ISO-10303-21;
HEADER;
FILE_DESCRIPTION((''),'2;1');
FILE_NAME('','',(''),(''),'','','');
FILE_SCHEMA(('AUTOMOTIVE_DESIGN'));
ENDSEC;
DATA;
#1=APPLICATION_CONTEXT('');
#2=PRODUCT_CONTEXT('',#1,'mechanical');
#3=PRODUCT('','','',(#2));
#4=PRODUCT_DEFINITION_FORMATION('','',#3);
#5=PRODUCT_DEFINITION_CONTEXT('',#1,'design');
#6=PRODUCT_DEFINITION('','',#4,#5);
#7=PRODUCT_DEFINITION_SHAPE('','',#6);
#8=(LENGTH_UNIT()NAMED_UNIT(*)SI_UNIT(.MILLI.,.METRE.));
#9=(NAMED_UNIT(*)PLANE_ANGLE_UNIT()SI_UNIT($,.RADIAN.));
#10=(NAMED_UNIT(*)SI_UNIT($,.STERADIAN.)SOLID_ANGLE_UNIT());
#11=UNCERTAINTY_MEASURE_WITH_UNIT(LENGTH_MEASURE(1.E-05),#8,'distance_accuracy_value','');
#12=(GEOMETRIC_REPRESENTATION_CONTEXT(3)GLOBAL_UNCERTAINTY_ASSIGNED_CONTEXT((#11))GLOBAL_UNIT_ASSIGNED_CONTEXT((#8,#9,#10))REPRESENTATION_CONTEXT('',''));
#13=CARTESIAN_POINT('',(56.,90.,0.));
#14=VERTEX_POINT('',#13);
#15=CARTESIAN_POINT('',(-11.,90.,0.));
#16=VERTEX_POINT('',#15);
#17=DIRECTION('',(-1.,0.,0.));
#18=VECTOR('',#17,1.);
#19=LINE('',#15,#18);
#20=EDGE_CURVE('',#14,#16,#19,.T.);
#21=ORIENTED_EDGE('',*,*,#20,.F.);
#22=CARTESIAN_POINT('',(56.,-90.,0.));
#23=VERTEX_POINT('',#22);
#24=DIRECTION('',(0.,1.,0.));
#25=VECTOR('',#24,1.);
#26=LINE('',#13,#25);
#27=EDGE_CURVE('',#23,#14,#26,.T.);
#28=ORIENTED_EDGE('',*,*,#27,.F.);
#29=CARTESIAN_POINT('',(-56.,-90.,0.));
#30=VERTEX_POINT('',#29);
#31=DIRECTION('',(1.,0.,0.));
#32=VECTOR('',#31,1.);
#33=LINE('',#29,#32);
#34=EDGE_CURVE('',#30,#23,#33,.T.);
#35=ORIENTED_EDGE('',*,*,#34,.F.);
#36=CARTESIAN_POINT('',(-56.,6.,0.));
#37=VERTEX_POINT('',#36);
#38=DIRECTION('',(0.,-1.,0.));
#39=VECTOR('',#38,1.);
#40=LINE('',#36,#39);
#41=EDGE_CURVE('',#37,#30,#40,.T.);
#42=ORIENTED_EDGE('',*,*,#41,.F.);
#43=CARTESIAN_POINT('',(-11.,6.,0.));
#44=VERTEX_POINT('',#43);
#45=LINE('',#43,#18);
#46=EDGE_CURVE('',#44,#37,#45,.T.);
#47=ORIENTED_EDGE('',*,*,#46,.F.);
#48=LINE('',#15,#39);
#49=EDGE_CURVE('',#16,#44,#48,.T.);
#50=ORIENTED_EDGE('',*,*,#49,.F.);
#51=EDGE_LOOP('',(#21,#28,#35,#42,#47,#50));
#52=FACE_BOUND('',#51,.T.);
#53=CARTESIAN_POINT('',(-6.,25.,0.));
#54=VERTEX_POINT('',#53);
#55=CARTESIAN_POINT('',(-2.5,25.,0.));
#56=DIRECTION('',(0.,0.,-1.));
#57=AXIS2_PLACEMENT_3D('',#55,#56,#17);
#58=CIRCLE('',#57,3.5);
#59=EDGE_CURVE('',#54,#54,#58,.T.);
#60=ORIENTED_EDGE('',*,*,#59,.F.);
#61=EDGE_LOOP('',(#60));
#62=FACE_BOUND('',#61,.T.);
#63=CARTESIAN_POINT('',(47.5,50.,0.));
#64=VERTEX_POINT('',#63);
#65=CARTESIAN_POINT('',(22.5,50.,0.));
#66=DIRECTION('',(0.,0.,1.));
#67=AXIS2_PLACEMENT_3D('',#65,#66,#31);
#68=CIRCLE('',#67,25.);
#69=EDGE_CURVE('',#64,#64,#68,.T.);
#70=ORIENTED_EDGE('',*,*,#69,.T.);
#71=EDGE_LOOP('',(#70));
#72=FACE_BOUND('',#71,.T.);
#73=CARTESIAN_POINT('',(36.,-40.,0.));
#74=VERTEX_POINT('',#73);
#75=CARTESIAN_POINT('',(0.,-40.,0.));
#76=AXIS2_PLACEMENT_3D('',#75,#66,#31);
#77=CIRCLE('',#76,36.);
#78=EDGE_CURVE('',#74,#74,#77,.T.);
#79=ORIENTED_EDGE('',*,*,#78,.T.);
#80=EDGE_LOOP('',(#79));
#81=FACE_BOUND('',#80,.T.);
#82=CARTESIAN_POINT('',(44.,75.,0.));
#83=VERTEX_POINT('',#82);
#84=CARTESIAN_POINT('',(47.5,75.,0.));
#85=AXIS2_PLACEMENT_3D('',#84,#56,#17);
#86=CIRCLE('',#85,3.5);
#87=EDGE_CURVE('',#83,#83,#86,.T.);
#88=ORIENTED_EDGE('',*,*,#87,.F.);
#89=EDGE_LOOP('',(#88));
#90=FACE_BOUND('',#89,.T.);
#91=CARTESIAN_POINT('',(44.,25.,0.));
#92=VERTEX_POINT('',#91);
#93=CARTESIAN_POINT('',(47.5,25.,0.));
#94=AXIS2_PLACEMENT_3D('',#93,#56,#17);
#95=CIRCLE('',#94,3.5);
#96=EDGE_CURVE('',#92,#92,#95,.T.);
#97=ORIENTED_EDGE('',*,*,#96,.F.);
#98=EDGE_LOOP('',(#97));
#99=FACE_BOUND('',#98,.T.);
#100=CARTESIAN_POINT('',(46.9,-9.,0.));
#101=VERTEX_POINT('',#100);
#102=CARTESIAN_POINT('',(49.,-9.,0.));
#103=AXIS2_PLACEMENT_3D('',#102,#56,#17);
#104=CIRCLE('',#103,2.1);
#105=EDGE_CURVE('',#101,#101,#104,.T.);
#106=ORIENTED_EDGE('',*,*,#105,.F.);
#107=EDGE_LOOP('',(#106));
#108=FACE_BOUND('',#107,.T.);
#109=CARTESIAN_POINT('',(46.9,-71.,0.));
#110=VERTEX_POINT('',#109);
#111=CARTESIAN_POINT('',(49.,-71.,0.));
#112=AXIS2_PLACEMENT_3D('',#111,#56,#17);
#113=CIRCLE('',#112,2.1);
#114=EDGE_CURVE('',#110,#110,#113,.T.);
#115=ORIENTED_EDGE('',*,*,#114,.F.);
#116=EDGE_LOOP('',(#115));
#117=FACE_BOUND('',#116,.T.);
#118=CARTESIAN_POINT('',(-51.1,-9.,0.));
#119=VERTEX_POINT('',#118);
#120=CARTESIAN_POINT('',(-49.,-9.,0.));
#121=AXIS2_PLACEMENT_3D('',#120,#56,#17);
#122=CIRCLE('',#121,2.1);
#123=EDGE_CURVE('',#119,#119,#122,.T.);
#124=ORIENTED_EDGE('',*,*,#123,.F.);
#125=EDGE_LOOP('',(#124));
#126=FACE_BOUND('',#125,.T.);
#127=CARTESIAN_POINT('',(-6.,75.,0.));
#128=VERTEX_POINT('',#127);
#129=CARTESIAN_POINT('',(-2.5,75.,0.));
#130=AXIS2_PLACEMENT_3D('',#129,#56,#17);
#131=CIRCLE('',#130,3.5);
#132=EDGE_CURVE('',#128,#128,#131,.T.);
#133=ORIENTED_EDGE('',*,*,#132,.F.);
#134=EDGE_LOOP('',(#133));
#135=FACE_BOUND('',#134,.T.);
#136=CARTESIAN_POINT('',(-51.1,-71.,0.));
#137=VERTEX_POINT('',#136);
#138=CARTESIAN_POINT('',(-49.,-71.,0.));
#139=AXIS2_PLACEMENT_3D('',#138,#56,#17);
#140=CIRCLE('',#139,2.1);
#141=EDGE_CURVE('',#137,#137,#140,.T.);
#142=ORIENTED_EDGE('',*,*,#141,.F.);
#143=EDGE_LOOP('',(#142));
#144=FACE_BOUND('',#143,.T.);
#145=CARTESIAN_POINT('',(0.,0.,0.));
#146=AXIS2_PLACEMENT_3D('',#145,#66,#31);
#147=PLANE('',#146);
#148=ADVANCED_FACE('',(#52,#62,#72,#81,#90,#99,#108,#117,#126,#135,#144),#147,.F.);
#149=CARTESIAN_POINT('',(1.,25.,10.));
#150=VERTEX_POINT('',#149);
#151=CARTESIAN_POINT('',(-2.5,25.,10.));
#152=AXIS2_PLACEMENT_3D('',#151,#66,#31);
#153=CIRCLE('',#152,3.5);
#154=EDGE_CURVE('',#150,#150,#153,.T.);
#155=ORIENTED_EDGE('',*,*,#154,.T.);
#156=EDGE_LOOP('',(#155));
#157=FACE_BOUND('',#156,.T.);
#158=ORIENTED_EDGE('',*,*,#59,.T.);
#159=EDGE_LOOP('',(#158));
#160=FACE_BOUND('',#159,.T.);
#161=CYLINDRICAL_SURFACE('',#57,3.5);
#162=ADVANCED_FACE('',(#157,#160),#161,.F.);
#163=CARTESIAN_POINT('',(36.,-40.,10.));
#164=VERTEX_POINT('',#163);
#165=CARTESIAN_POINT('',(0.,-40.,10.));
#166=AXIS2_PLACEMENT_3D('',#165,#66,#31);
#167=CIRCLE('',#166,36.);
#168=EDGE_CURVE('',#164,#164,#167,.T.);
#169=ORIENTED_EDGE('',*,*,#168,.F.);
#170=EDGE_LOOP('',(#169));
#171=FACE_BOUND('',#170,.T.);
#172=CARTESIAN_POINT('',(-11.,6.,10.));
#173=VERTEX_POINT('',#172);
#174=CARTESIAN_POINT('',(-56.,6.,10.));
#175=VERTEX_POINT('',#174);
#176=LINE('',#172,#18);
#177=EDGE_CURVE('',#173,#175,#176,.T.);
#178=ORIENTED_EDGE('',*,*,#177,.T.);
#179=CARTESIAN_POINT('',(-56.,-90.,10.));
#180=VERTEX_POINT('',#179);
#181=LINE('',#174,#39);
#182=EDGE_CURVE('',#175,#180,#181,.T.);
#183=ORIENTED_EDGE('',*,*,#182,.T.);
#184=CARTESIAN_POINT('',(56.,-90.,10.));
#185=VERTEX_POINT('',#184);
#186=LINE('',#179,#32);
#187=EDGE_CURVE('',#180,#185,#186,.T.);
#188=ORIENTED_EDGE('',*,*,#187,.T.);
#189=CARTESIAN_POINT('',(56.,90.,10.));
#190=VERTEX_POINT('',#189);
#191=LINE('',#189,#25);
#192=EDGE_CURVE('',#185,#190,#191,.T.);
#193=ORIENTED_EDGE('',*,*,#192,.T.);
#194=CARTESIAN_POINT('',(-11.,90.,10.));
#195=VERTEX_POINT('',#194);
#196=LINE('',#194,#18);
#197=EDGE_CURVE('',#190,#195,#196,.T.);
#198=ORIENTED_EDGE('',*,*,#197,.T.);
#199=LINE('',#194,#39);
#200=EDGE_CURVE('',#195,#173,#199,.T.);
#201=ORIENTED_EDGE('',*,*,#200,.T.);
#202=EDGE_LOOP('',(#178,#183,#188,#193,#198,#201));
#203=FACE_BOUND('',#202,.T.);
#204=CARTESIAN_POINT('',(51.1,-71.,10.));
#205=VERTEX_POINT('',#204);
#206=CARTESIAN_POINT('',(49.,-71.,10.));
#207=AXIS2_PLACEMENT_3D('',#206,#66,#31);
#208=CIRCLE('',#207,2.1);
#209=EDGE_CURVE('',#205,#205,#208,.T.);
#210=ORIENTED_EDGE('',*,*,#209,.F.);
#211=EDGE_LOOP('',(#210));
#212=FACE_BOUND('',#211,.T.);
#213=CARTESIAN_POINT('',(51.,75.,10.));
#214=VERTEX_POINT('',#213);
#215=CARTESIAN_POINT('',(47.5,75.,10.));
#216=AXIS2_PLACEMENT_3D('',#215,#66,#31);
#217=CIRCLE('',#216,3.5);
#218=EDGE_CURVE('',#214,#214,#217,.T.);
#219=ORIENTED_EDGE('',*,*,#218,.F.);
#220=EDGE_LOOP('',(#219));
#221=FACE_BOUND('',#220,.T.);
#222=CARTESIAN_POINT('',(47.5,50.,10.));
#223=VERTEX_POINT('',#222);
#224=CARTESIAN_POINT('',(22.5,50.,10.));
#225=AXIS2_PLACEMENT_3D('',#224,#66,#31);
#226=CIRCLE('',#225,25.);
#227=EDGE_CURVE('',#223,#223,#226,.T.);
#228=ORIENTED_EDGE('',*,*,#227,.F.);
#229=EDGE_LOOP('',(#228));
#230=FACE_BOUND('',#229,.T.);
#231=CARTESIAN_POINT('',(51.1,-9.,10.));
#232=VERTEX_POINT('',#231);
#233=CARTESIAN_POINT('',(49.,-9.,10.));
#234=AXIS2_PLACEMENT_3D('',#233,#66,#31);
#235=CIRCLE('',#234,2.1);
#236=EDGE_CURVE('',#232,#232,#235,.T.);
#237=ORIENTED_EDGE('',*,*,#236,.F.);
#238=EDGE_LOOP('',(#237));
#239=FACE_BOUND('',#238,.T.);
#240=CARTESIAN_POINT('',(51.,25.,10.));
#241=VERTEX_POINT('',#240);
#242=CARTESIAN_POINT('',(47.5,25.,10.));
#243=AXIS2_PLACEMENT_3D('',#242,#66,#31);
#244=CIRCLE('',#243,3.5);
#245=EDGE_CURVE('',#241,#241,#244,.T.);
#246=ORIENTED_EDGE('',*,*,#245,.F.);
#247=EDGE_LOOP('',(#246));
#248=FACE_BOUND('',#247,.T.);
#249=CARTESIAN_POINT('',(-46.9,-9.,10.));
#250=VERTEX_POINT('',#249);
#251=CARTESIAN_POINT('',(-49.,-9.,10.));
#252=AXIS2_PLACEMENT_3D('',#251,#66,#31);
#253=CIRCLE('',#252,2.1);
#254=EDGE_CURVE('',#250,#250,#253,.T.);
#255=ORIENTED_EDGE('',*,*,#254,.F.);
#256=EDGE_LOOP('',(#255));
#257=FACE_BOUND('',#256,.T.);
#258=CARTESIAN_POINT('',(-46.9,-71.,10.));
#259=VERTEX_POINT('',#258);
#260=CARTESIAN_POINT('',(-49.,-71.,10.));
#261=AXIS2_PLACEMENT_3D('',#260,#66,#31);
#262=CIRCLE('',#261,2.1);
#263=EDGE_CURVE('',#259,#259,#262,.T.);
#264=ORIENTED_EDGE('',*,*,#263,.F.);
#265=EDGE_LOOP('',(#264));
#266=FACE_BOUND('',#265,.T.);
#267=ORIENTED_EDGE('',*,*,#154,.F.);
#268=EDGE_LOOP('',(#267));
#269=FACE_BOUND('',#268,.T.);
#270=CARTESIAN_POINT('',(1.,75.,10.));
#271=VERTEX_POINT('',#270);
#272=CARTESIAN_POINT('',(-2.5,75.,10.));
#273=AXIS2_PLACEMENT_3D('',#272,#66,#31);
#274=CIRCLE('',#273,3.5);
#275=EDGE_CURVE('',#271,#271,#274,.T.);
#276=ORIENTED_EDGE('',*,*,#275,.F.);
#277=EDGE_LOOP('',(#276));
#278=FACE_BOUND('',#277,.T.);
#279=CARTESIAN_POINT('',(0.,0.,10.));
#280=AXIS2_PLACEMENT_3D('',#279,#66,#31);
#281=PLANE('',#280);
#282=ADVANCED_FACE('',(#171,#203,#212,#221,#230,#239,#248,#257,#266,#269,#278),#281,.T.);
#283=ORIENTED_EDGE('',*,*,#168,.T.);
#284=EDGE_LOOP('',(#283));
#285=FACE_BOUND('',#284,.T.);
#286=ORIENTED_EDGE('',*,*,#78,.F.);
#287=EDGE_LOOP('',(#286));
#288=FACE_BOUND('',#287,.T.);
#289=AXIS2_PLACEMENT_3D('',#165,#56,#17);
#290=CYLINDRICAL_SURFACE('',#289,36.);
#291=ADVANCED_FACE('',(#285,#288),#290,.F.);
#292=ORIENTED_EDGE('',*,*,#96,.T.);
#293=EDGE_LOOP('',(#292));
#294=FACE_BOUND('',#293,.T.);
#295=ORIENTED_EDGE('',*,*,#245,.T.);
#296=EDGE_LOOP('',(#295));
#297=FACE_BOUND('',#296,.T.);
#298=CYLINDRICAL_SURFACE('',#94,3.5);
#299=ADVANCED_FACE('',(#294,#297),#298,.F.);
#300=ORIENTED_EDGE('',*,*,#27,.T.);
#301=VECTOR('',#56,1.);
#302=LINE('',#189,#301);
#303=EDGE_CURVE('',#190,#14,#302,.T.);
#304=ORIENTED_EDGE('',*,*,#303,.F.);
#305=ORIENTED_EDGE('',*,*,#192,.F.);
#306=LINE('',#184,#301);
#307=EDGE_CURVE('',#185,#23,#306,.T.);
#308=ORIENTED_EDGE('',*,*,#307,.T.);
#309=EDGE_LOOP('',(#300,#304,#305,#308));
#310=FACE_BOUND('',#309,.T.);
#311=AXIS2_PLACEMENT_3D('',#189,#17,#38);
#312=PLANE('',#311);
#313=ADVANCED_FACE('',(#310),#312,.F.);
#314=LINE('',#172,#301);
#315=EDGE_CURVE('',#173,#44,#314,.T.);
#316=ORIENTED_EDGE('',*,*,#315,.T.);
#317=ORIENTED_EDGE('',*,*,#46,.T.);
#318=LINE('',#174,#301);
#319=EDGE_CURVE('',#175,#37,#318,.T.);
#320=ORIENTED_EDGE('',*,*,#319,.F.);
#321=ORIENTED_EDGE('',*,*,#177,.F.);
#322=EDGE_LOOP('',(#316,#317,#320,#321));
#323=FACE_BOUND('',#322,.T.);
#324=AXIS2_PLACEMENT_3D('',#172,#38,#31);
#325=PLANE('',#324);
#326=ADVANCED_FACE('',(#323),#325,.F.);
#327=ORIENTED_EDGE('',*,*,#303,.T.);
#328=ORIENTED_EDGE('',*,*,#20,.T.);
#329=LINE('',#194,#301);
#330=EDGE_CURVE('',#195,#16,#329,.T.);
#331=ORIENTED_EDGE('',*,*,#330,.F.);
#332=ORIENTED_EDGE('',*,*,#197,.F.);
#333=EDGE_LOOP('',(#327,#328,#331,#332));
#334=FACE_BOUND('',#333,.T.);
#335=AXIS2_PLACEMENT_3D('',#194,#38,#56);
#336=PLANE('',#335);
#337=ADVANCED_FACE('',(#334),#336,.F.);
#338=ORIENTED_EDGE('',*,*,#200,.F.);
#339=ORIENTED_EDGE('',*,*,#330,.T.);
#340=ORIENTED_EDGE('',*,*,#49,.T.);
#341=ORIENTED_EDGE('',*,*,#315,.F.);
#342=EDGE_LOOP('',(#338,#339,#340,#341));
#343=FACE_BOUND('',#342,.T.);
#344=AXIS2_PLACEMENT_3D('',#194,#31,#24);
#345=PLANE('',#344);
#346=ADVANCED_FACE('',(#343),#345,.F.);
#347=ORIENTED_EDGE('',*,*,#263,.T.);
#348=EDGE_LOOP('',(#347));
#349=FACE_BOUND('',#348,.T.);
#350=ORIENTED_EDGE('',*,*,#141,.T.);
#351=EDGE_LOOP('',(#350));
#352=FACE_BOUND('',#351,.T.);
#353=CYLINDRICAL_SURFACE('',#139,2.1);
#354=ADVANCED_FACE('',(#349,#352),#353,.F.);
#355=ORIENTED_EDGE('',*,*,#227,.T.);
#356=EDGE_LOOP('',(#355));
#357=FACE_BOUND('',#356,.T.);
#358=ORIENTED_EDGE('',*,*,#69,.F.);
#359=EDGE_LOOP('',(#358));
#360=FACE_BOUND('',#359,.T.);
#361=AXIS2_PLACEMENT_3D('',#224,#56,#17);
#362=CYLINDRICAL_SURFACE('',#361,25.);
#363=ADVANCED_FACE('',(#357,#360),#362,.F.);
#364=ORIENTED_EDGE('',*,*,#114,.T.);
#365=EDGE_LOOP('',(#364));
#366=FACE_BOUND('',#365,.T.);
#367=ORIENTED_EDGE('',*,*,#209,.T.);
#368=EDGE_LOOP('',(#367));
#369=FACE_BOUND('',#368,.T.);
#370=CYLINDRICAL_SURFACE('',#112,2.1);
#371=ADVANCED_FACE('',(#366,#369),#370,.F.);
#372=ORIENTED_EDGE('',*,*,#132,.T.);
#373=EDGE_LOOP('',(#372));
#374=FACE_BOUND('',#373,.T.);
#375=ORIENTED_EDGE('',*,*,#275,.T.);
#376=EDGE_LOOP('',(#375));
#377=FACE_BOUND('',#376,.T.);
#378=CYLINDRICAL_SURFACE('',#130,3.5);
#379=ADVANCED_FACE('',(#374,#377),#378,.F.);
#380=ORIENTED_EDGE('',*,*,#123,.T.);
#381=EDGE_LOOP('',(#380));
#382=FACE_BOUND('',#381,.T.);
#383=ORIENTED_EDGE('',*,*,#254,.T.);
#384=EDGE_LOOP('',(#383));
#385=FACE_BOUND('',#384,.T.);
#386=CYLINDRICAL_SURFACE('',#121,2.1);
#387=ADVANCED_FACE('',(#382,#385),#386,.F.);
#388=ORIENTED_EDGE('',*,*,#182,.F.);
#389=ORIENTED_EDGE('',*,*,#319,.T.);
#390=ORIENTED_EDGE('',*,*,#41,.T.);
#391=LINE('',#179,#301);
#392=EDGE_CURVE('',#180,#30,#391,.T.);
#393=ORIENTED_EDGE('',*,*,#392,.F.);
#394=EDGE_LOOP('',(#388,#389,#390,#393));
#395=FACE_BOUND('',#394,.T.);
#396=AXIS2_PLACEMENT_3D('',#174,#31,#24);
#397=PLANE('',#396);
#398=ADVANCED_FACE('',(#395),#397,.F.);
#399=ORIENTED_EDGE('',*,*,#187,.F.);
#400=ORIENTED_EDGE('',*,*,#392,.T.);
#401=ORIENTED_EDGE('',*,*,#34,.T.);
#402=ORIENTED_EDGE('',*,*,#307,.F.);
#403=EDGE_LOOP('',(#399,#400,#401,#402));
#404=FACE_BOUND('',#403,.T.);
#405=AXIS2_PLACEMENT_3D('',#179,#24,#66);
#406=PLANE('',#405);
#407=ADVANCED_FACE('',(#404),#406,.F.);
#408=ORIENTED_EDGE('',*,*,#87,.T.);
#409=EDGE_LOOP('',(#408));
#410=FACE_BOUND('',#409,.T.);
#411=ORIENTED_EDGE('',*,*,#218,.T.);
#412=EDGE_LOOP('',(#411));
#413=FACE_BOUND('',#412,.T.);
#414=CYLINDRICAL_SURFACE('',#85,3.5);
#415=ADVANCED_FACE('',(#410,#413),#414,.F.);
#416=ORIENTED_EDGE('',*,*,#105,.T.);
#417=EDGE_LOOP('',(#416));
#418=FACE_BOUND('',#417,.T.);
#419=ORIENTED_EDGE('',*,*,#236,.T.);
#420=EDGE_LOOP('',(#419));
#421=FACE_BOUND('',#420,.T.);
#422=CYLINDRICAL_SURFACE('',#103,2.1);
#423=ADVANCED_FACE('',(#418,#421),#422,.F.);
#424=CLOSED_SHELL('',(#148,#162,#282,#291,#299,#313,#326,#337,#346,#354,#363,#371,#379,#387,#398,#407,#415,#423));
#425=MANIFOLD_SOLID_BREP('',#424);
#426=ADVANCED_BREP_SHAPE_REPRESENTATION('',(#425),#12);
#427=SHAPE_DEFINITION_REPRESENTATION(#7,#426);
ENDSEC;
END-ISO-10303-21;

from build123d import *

# Parameters (mm, degrees)
SKETCH_1_R             = 36
SKETCH_1_R_2           = 25
EXTRUDE_1_DEPTH        = 10
HOLE_WIZARD_M5_1_D     = 4.2
HOLE_WIZARD_M5_1_DEPTH = 12.4
HOLE_WIZARD_M5_1_TIP   = 1.2618073
MM_1_D                 = 7
MM_1_DEPTH             = 12.4
MM_1_TIP               = 2.103012167


with BuildPart() as part:
    # 草图1 → 凸台-拉伸1 (new body)
    with BuildSketch(Plane.XY):
        Polygon((-11, 90), (56, 90), (56, -90), (-56, -90), (-56, 6), (-11, 6), align=None)
        with Locations((0, -40)):
            Circle(SKETCH_1_R, mode=Mode.SUBTRACT)
        with Locations((22.5, 50)):
            Circle(SKETCH_1_R_2, mode=Mode.SUBTRACT)
    extrude(amount=EXTRUDE_1_DEPTH)

    # M5 螺纹孔1
    with Locations(Plane(origin=(49, -9, 0), x_dir=(-1, 0, 0), z_dir=(0, 0, -1))):
        with Locations((0, 0), (98, 0), (98, -62), (0, -62)):
            Hole(HOLE_WIZARD_M5_1_D / 2, depth=HOLE_WIZARD_M5_1_DEPTH)
            with Locations((0, 0, -(HOLE_WIZARD_M5_1_DEPTH + HOLE_WIZARD_M5_1_TIP / 2))):  # 118° drill point
                Cone(0, HOLE_WIZARD_M5_1_D / 2, HOLE_WIZARD_M5_1_TIP, mode=Mode.SUBTRACT)

    # 大小mm 暗销槽口1
    with Locations(Plane(origin=(47.5, 25, 0), x_dir=(-1, 0, 0), z_dir=(0, 0, -1))):
        with Locations((0, 0), (0, 50), (50, 50), (50, 0)):
            Hole(MM_1_D / 2, depth=MM_1_DEPTH)
            with Locations((0, 0, -(MM_1_DEPTH + MM_1_TIP / 2))):  # 118° drill point
                Cone(0, MM_1_D / 2, MM_1_TIP, mode=Mode.SUBTRACT)


solid = part.part
